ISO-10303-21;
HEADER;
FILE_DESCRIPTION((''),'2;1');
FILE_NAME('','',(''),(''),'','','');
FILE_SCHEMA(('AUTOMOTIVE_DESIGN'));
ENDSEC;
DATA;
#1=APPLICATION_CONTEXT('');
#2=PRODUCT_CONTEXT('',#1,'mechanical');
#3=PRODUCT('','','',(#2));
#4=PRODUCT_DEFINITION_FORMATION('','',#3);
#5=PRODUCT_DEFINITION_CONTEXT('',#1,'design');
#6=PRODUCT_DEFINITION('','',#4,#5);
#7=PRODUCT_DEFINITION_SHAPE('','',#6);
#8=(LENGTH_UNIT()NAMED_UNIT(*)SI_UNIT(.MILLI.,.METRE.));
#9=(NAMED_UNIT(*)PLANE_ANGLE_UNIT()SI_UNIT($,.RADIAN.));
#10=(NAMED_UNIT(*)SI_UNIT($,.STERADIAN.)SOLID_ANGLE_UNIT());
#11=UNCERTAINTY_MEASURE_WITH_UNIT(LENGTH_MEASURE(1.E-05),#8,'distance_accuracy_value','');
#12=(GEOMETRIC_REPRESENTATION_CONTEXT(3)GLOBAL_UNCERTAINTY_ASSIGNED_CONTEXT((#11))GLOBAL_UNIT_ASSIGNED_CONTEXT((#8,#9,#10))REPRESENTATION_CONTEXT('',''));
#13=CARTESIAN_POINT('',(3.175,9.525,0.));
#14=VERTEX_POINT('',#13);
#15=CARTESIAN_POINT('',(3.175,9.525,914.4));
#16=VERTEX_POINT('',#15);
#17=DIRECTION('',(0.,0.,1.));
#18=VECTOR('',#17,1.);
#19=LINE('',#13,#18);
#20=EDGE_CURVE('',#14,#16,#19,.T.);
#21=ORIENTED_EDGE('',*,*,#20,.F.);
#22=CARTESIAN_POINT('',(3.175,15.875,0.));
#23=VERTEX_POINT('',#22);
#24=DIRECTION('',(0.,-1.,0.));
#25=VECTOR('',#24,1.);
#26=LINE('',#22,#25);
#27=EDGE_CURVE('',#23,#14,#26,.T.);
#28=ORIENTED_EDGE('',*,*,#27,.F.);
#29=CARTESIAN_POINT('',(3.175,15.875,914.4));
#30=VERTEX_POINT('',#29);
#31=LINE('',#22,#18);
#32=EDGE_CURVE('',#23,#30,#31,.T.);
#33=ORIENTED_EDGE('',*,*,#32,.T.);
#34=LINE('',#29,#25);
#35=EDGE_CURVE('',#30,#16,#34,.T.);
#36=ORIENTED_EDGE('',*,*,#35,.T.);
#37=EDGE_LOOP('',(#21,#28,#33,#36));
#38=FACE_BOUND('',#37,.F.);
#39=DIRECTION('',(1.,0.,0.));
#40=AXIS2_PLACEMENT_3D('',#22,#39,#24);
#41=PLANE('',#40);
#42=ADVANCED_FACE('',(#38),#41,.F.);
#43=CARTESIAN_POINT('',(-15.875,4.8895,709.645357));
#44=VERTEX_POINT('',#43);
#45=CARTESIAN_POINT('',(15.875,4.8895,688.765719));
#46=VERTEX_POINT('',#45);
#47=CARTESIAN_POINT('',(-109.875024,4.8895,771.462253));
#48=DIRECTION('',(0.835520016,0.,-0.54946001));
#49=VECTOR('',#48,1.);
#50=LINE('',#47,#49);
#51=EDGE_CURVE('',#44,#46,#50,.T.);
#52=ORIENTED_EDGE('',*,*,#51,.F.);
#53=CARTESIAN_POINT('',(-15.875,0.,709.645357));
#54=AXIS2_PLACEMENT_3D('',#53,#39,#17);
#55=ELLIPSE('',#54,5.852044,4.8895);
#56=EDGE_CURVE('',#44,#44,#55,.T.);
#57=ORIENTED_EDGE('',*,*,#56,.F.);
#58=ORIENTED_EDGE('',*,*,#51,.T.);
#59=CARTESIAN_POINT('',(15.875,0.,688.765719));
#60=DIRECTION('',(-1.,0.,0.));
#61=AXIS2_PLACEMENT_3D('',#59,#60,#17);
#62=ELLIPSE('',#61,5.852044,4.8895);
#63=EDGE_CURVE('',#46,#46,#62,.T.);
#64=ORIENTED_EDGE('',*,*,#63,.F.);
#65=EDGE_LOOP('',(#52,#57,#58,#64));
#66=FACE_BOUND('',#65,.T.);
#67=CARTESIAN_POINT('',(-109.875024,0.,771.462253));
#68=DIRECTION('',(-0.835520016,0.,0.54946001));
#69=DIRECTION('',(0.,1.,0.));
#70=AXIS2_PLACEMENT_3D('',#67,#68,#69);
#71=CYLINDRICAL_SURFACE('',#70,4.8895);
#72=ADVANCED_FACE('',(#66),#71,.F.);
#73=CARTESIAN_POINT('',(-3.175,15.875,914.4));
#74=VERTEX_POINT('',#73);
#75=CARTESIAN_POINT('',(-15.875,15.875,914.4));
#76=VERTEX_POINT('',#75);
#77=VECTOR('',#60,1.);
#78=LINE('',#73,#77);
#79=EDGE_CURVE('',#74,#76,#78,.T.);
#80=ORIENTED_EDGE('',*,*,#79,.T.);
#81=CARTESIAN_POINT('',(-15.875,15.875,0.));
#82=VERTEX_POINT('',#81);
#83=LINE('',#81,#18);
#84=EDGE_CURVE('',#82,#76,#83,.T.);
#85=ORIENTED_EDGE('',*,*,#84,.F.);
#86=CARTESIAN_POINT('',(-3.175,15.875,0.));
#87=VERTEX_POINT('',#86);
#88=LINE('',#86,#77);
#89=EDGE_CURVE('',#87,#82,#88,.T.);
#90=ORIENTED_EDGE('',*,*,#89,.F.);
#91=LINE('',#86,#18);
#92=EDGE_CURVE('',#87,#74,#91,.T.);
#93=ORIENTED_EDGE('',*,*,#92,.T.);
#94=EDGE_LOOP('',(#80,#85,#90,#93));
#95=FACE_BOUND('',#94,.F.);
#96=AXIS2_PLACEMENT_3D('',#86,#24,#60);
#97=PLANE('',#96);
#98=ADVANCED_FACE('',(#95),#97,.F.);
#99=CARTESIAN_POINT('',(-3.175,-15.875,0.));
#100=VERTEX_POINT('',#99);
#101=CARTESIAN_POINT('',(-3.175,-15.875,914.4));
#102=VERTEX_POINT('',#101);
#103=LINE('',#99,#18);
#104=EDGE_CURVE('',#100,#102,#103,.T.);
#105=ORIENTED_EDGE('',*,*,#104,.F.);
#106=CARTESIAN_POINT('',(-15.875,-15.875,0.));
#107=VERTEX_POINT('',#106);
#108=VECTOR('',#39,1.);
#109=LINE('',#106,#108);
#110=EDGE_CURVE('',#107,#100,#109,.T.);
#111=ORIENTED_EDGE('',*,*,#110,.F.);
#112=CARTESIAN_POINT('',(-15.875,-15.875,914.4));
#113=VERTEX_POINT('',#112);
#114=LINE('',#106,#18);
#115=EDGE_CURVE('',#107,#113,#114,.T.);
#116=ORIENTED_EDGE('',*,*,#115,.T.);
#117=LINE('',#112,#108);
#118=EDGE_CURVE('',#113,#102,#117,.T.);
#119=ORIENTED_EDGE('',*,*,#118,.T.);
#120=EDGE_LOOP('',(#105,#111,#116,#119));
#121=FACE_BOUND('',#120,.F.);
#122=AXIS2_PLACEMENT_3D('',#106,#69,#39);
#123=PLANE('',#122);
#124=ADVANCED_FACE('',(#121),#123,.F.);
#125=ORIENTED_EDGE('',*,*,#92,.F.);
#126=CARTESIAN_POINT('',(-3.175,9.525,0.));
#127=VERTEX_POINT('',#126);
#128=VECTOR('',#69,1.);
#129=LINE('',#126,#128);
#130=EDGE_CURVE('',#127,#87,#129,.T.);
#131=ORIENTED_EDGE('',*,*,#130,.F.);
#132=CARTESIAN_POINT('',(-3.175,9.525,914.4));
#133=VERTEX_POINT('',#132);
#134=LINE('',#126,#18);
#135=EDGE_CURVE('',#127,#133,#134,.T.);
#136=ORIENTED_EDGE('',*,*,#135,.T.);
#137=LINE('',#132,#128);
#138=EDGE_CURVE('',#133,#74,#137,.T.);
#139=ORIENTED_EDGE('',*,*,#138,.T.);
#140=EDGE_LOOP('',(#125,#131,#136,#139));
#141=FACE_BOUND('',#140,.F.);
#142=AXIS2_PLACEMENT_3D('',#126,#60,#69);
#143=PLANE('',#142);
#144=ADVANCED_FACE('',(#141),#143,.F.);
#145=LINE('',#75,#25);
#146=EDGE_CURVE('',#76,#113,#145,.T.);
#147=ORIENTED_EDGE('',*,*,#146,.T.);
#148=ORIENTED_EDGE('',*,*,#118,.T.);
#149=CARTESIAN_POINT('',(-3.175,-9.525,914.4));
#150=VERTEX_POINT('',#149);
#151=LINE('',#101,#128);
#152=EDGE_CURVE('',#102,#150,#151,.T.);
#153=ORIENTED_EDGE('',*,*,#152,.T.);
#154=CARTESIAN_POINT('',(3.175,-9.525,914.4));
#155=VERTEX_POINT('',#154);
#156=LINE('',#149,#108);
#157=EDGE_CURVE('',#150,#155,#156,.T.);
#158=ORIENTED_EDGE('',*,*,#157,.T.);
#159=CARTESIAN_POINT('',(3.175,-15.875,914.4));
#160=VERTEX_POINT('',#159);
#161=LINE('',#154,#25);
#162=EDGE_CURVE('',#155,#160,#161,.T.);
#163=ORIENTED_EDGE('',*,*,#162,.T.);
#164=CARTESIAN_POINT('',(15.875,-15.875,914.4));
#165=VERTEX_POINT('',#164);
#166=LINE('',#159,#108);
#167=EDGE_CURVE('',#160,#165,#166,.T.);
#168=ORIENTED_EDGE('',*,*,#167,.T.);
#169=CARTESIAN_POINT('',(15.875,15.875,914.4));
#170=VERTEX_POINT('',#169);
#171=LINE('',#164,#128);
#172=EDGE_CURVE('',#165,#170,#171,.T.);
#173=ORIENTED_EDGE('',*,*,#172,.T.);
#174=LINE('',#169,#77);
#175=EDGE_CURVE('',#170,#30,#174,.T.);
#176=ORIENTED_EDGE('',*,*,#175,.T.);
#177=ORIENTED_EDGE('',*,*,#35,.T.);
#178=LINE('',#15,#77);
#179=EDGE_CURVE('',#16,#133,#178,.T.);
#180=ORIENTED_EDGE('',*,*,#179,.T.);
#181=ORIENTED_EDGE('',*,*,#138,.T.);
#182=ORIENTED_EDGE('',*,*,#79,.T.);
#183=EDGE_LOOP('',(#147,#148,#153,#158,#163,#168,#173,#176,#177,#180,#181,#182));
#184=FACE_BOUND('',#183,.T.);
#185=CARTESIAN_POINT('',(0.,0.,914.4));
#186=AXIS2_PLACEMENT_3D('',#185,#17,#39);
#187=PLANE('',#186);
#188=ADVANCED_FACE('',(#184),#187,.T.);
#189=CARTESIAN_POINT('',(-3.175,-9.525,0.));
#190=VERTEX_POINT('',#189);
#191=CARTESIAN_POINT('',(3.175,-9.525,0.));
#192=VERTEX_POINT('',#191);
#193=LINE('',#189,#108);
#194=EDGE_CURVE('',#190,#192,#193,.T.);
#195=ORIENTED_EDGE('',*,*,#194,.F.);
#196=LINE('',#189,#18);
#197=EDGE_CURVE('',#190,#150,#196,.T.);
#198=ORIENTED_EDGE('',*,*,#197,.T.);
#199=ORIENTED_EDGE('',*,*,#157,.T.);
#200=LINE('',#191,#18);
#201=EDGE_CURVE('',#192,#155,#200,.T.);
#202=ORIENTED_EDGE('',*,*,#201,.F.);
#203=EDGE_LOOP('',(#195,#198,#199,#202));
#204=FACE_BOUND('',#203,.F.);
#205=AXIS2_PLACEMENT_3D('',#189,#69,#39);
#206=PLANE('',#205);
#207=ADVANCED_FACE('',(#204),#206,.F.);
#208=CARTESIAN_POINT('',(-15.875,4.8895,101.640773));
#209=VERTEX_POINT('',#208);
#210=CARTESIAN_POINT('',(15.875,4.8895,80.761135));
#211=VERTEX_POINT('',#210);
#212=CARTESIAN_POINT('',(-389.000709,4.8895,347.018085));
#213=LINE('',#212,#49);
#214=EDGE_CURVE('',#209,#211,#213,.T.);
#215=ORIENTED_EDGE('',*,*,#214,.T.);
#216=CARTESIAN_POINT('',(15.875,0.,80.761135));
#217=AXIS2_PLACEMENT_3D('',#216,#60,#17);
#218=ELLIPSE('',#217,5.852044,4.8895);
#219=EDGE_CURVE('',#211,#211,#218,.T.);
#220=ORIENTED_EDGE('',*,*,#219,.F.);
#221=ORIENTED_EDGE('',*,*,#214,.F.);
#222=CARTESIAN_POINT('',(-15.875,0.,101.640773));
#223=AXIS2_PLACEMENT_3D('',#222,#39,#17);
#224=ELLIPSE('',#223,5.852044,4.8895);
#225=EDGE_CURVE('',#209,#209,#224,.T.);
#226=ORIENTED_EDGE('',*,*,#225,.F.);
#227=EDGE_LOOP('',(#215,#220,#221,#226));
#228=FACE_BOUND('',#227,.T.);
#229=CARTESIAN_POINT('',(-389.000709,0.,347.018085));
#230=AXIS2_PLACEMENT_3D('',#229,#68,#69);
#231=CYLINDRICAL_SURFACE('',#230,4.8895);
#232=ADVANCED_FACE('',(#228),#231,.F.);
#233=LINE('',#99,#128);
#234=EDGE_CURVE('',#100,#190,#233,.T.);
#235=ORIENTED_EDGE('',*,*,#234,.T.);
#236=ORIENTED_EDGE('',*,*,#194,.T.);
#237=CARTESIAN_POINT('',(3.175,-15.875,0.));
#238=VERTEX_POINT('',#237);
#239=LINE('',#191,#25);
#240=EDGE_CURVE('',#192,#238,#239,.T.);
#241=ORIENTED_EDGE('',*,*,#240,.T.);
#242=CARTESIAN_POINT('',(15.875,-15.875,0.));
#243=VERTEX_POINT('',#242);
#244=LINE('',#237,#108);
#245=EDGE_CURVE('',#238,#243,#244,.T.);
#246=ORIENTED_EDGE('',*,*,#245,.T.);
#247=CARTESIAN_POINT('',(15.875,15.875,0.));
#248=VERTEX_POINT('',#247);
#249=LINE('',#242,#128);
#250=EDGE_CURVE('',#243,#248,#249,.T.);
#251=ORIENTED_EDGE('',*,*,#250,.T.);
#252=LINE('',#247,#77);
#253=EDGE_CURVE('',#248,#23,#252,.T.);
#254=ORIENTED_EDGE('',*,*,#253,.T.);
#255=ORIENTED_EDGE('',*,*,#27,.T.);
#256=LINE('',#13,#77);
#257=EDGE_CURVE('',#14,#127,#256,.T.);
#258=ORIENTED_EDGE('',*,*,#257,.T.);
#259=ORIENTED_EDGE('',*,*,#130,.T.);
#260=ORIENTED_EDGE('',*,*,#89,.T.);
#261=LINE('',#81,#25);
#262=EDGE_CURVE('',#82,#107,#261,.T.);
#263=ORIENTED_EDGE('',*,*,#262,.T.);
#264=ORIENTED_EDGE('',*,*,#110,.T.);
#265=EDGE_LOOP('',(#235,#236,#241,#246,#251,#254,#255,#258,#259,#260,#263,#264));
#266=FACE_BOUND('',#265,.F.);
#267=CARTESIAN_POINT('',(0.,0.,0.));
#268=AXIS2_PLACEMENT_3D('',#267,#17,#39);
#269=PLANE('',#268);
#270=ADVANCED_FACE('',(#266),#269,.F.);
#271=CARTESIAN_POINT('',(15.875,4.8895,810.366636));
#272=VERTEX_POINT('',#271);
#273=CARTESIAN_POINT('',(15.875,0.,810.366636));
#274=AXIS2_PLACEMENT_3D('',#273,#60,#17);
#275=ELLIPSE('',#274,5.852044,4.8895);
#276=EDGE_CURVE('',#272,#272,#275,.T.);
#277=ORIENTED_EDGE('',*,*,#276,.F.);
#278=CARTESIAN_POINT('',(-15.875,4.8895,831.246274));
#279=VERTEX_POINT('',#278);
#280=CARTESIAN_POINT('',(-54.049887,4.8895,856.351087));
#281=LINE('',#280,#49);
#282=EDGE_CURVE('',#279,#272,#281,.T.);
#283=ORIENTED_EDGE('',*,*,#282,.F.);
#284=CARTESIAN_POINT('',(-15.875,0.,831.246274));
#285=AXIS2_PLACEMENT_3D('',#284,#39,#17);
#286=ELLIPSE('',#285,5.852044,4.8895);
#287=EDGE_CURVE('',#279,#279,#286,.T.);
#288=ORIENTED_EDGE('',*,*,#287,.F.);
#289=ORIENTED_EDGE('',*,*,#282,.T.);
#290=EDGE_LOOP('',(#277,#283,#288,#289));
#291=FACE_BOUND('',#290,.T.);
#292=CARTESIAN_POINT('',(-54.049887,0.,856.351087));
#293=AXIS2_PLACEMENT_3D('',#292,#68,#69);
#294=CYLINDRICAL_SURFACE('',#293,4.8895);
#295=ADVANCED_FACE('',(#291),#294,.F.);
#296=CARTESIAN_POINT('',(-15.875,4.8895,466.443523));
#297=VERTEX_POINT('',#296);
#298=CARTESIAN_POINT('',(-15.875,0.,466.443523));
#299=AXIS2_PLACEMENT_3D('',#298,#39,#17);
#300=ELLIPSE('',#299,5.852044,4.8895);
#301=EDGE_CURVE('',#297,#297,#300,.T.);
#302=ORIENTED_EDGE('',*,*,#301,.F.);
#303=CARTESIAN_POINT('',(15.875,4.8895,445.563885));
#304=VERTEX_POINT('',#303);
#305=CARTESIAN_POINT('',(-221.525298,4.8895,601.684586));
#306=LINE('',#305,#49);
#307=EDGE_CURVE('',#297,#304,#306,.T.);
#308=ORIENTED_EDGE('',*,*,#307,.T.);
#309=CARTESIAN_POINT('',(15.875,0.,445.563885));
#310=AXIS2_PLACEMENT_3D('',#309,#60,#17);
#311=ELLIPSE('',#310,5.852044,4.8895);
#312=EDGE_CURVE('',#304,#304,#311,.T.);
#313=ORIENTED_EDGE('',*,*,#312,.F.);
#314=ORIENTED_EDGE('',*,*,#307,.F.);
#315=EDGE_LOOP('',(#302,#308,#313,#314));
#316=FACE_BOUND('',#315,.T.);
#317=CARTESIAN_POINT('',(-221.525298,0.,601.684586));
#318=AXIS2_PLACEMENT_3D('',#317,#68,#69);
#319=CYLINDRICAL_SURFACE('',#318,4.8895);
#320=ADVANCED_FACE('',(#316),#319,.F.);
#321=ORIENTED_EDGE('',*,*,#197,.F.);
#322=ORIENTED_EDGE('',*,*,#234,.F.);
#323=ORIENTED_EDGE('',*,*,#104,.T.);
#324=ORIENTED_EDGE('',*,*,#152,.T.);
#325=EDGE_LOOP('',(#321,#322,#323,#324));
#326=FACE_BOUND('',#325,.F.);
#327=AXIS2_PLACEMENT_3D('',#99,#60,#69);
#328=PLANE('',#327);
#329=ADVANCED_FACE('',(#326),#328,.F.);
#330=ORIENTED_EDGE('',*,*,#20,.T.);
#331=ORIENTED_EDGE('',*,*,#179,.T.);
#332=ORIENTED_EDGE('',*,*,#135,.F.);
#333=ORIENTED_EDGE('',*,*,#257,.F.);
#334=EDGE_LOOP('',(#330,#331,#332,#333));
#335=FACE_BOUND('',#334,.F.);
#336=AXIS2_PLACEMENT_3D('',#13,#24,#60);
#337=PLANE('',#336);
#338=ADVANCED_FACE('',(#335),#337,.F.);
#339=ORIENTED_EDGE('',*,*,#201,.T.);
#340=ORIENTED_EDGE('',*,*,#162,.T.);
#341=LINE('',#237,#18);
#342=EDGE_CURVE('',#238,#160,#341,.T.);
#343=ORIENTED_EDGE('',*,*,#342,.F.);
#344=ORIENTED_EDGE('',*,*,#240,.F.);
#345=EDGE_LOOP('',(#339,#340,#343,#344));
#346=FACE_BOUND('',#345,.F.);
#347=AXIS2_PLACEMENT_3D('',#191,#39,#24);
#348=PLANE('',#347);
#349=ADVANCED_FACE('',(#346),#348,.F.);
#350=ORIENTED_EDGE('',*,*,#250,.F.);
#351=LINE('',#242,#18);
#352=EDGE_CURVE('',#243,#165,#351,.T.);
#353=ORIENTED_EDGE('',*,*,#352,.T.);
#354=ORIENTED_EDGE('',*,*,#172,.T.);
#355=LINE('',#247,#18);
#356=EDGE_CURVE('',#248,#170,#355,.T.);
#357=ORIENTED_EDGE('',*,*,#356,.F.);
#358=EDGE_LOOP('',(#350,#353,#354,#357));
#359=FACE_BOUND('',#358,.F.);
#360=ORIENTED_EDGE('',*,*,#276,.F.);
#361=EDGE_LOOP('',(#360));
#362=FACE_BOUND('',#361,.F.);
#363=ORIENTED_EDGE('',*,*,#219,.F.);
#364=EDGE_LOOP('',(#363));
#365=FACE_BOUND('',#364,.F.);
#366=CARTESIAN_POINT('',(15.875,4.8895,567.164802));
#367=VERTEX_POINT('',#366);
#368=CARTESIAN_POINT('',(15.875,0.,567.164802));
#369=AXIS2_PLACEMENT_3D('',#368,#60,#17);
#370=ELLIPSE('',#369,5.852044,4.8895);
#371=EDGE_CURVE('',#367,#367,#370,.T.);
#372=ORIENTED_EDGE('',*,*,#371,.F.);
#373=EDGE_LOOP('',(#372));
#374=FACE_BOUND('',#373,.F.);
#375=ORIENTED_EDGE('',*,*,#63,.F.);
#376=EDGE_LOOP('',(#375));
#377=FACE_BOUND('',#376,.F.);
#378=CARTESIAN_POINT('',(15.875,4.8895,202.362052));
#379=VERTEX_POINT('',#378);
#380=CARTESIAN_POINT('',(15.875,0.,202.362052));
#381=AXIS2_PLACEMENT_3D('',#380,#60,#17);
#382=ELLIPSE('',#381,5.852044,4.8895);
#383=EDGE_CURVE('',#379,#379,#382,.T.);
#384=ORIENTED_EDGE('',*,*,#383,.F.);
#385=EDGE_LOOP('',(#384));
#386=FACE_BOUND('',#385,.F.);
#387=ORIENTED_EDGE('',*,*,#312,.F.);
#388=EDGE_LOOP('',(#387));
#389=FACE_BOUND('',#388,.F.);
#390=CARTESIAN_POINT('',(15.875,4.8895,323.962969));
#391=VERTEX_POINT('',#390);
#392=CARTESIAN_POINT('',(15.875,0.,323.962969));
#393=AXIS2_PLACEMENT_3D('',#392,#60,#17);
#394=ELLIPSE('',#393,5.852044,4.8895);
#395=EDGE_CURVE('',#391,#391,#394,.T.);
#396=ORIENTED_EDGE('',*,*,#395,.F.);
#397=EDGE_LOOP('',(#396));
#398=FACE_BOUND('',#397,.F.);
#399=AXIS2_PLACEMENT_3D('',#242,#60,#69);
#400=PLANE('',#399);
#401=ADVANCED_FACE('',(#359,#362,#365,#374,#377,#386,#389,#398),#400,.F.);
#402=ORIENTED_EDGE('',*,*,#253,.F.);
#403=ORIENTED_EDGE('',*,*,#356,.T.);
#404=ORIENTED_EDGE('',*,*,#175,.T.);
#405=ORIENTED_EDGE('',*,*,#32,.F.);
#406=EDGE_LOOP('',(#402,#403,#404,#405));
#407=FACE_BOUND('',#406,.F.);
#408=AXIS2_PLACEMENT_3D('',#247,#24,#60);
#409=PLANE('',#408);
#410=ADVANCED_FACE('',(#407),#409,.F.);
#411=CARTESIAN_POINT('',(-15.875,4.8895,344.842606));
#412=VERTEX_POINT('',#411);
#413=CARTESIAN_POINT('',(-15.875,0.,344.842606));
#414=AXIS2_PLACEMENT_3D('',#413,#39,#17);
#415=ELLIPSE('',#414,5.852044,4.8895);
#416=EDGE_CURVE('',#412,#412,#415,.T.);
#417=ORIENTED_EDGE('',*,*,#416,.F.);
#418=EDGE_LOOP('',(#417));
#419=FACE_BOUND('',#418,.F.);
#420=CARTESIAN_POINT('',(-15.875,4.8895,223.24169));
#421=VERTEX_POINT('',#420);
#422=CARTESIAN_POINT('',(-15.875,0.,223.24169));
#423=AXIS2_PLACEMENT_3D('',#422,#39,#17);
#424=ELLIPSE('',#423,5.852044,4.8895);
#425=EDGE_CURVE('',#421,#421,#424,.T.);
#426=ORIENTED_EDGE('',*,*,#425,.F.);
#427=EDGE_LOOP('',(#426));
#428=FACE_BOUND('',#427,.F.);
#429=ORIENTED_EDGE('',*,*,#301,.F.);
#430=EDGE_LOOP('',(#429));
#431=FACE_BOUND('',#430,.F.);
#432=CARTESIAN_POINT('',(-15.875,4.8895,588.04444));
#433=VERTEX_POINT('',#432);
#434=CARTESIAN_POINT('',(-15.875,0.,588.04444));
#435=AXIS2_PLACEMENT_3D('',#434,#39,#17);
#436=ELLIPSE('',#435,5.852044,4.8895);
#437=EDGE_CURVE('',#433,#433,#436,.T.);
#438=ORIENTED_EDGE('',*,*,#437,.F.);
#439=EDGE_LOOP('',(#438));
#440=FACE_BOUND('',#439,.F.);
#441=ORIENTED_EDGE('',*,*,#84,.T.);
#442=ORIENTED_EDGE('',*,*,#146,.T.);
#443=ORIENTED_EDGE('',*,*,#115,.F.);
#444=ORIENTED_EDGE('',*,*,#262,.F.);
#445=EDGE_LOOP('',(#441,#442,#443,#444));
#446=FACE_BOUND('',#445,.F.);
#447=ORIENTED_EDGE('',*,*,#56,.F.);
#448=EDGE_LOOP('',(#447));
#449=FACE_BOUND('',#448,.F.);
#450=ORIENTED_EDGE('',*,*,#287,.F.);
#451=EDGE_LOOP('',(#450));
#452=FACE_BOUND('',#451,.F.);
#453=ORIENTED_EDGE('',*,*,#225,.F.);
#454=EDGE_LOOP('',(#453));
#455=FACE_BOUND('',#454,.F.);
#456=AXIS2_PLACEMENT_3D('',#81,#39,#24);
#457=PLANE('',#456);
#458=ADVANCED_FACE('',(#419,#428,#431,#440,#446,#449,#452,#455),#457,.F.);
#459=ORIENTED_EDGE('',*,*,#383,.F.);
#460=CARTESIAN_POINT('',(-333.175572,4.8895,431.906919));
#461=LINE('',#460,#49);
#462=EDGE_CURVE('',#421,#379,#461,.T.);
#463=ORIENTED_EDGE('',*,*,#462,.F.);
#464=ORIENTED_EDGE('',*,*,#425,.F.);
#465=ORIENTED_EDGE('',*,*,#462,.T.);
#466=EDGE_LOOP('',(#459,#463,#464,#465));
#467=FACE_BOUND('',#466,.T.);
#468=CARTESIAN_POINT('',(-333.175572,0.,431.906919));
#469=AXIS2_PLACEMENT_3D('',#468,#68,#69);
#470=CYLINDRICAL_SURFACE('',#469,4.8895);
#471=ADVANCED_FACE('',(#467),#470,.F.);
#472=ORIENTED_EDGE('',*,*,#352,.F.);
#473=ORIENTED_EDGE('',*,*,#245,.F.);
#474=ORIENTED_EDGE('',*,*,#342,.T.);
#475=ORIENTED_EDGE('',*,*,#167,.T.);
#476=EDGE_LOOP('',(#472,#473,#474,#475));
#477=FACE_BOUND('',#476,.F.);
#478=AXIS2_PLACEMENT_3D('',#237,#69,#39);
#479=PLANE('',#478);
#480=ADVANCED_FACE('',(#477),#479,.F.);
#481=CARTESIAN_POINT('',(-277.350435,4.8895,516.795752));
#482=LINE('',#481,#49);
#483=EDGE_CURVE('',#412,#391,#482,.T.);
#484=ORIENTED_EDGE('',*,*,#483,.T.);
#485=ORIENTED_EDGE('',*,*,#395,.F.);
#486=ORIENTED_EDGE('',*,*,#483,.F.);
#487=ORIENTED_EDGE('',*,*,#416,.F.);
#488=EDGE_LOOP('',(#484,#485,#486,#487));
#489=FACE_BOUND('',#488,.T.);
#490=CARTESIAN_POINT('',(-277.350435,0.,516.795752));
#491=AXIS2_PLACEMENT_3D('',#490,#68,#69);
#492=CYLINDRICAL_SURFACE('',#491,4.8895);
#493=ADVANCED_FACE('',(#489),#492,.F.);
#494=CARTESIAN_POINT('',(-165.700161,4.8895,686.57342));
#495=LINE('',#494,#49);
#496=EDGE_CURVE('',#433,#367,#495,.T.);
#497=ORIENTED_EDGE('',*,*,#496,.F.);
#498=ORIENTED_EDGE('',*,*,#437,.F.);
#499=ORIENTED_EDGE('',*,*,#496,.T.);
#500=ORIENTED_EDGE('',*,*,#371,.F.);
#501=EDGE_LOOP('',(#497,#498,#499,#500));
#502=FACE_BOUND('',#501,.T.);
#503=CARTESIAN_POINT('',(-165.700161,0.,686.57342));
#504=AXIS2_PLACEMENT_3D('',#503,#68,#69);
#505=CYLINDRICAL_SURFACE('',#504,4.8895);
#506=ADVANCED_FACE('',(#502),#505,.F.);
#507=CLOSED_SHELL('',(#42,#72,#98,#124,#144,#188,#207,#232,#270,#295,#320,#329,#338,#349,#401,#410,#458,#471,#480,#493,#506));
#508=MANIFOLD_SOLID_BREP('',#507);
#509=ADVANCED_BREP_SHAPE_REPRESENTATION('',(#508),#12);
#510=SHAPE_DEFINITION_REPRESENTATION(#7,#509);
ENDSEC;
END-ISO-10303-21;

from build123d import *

# Parameters (mm, degrees)
F1_DEPTH = 914.4
F3_R     = 4.8895
F4_DEPTH = 528.955316


with BuildPart() as f1:
    # F0 (on Top) → F1 (new body)
    with BuildSketch(Plane.XY):
        Polygon((3.175, -15.875), (15.875, -15.875), (15.875, 15.875), (3.175, 15.875), (3.175, 9.525), (-3.175, 9.525), (-3.175, 15.875), (-15.875, 15.875), (-15.875, -15.875), (-3.175, -15.875), (-3.175, -9.525), (3.175, -9.525), align=None)
    extrude(amount=F1_DEPTH)

    # F3 (on face) → F4 (cut, through all)
    with BuildSketch(Plane(origin=(-430.869562, 0, 283.35146), x_dir=(0, 1, 0), z_dir=(0.83552, 0, -0.54946))):
        with Locations((0, 787.4)):
            Circle(F3_R)
        with Locations((0, 685.8)):
            Circle(F3_R)
        with Locations((0, 584.2)):
            Circle(F3_R)
        with Locations((0, 482.6)):
            Circle(F3_R)
        with Locations((0, 381)):
            Circle(F3_R)
        with Locations((0, 279.4)):
            Circle(F3_R)
        with Locations((0, 177.8)):
            Circle(F3_R)
        with Locations((0, 76.2)):
            Circle(F3_R)
    extrude(amount=F4_DEPTH, mode=Mode.SUBTRACT)


solid = f1.part
